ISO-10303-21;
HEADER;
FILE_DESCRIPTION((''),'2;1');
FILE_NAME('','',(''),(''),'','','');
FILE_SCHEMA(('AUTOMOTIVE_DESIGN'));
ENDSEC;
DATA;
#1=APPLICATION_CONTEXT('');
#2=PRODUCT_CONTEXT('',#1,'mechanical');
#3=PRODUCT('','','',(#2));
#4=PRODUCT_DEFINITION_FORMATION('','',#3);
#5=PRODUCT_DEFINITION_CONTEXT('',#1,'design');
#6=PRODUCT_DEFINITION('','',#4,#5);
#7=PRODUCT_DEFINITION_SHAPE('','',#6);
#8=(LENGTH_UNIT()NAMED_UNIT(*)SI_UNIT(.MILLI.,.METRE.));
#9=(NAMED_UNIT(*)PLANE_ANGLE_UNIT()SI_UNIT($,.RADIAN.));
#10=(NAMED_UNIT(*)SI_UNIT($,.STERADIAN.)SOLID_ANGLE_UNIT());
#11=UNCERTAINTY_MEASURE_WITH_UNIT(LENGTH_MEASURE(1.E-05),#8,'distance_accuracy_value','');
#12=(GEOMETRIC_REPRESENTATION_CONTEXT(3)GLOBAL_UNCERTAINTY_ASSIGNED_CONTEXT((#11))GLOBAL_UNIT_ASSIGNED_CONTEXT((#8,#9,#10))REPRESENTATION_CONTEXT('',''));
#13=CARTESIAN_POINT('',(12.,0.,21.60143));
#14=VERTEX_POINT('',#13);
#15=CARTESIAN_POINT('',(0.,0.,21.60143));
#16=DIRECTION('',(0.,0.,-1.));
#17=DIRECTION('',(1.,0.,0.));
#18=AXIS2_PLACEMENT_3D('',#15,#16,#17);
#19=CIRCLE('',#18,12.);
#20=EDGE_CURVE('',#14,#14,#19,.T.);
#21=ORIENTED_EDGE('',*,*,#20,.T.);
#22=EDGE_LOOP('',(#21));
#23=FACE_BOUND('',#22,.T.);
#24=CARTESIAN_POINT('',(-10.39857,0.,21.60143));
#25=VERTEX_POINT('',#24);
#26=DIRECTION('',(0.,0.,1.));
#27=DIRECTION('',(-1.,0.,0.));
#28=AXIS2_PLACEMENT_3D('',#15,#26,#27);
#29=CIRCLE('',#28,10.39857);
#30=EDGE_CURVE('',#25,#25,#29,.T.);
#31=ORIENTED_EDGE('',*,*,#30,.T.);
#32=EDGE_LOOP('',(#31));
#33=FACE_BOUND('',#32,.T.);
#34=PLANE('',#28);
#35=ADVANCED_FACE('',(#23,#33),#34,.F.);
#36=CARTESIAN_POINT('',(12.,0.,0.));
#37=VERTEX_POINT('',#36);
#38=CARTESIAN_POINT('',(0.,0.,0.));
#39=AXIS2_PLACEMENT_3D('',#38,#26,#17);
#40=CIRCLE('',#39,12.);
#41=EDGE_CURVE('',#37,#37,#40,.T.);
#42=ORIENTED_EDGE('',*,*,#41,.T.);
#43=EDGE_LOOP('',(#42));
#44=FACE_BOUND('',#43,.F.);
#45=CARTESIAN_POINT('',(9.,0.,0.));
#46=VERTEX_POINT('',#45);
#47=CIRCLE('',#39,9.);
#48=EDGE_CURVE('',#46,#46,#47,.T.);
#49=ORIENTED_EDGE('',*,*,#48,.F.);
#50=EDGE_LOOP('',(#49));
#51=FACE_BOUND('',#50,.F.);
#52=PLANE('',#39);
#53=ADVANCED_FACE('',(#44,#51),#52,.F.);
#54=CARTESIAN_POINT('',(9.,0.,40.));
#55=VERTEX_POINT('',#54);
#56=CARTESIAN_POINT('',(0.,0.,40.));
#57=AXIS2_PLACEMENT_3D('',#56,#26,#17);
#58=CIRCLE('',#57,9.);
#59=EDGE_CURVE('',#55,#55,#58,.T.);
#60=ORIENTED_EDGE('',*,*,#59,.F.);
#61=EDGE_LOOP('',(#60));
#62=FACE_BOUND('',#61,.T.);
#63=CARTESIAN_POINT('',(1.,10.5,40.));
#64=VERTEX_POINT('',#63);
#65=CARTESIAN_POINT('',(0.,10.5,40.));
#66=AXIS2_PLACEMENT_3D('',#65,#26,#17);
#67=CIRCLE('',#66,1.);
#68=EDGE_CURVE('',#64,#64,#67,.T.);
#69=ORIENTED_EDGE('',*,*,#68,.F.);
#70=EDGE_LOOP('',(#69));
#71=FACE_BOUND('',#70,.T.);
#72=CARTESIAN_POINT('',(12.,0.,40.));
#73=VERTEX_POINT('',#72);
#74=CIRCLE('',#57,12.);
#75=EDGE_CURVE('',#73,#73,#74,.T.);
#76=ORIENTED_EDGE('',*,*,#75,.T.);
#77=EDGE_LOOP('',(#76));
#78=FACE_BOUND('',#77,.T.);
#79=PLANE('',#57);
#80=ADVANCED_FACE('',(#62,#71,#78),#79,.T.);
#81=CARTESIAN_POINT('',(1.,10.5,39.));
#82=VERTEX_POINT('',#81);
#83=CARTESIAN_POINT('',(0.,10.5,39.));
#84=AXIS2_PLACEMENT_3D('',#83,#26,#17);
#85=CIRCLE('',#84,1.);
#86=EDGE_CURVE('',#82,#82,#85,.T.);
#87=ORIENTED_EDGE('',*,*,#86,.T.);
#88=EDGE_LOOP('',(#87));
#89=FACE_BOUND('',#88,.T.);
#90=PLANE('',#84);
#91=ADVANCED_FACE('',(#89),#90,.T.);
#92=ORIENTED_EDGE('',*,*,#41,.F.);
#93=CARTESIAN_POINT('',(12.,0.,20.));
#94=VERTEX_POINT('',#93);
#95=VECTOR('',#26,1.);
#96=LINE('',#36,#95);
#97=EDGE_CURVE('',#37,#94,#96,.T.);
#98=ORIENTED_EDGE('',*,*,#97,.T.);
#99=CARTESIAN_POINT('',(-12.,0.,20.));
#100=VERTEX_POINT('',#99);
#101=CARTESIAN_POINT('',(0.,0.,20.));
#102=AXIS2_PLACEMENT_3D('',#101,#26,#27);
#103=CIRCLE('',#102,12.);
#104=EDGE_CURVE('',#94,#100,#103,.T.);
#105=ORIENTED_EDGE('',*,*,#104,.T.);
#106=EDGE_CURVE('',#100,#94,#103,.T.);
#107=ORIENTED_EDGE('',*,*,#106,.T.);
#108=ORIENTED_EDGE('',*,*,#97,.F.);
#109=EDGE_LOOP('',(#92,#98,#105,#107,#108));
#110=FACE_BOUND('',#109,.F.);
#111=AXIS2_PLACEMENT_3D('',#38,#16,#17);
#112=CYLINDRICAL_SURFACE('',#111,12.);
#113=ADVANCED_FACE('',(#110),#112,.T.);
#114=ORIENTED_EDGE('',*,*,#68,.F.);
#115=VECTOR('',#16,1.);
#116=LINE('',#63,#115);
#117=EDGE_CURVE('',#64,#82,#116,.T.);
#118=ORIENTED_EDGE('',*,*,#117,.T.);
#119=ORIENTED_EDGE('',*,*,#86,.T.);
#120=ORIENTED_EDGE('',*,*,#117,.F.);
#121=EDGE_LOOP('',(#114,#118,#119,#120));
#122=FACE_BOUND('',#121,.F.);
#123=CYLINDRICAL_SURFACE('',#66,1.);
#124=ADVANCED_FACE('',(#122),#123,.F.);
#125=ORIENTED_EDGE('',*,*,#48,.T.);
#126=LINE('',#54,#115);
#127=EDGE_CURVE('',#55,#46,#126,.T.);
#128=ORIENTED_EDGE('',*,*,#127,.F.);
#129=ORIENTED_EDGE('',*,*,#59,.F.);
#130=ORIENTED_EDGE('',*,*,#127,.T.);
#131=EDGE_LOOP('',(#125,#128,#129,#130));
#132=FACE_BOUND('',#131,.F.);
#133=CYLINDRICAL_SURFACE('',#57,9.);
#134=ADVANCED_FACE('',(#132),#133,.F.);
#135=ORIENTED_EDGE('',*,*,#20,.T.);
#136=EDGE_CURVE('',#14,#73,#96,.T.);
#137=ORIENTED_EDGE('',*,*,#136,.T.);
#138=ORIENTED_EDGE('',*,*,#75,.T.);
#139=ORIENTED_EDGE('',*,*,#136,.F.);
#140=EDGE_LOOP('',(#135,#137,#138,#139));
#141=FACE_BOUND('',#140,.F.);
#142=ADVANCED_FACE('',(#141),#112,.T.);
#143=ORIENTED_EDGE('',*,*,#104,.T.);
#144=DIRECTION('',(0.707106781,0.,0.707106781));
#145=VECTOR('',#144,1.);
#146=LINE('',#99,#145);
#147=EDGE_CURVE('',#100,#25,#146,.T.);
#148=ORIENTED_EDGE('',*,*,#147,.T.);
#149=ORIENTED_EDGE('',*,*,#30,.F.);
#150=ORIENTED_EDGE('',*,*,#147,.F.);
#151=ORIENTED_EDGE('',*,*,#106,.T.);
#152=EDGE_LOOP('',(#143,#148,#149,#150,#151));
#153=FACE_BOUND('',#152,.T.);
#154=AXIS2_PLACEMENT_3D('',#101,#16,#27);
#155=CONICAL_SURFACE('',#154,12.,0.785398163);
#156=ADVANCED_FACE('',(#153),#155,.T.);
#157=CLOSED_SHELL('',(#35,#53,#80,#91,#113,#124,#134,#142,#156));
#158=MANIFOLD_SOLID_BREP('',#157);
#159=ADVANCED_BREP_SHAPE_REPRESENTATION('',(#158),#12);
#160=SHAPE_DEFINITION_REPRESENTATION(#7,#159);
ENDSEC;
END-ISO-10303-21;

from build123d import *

# Parameters (mm, degrees)
F0_R     = 12
F1_DEPTH = 40
F2_R     = 9
F3_DEPTH = 40.001
F7_R     = 1
F8_DEPTH = 1


with BuildPart() as f1:
    # F0 (on Top) → F1 (new body)
    with BuildSketch(Plane.XY):
        Circle(F0_R)
    extrude(amount=F1_DEPTH)

    # F2 (on face) → F3 (cut, through all)
    with BuildSketch(Plane.XY.offset(40)):
        Circle(F2_R)
    extrude(amount=-F3_DEPTH, mode=Mode.SUBTRACT)

    # F4 (on Front) → F6 (revolve, cut)
    with BuildSketch(Plane.XZ):
        Polygon((-12, 21.60143), (-12, 20), (-10.39857, 21.60143), align=None)
    revolve(axis=Axis((0, 0, 20.635139), (0, 0, 1)), mode=Mode.SUBTRACT)

    # F7 (on face) → F8 (cut)
    with BuildSketch(Plane.XY.offset(40)):
        with Locations((0, 10.5)):
            Circle(F7_R)
    extrude(amount=-F8_DEPTH, mode=Mode.SUBTRACT)


solid = f1.part
